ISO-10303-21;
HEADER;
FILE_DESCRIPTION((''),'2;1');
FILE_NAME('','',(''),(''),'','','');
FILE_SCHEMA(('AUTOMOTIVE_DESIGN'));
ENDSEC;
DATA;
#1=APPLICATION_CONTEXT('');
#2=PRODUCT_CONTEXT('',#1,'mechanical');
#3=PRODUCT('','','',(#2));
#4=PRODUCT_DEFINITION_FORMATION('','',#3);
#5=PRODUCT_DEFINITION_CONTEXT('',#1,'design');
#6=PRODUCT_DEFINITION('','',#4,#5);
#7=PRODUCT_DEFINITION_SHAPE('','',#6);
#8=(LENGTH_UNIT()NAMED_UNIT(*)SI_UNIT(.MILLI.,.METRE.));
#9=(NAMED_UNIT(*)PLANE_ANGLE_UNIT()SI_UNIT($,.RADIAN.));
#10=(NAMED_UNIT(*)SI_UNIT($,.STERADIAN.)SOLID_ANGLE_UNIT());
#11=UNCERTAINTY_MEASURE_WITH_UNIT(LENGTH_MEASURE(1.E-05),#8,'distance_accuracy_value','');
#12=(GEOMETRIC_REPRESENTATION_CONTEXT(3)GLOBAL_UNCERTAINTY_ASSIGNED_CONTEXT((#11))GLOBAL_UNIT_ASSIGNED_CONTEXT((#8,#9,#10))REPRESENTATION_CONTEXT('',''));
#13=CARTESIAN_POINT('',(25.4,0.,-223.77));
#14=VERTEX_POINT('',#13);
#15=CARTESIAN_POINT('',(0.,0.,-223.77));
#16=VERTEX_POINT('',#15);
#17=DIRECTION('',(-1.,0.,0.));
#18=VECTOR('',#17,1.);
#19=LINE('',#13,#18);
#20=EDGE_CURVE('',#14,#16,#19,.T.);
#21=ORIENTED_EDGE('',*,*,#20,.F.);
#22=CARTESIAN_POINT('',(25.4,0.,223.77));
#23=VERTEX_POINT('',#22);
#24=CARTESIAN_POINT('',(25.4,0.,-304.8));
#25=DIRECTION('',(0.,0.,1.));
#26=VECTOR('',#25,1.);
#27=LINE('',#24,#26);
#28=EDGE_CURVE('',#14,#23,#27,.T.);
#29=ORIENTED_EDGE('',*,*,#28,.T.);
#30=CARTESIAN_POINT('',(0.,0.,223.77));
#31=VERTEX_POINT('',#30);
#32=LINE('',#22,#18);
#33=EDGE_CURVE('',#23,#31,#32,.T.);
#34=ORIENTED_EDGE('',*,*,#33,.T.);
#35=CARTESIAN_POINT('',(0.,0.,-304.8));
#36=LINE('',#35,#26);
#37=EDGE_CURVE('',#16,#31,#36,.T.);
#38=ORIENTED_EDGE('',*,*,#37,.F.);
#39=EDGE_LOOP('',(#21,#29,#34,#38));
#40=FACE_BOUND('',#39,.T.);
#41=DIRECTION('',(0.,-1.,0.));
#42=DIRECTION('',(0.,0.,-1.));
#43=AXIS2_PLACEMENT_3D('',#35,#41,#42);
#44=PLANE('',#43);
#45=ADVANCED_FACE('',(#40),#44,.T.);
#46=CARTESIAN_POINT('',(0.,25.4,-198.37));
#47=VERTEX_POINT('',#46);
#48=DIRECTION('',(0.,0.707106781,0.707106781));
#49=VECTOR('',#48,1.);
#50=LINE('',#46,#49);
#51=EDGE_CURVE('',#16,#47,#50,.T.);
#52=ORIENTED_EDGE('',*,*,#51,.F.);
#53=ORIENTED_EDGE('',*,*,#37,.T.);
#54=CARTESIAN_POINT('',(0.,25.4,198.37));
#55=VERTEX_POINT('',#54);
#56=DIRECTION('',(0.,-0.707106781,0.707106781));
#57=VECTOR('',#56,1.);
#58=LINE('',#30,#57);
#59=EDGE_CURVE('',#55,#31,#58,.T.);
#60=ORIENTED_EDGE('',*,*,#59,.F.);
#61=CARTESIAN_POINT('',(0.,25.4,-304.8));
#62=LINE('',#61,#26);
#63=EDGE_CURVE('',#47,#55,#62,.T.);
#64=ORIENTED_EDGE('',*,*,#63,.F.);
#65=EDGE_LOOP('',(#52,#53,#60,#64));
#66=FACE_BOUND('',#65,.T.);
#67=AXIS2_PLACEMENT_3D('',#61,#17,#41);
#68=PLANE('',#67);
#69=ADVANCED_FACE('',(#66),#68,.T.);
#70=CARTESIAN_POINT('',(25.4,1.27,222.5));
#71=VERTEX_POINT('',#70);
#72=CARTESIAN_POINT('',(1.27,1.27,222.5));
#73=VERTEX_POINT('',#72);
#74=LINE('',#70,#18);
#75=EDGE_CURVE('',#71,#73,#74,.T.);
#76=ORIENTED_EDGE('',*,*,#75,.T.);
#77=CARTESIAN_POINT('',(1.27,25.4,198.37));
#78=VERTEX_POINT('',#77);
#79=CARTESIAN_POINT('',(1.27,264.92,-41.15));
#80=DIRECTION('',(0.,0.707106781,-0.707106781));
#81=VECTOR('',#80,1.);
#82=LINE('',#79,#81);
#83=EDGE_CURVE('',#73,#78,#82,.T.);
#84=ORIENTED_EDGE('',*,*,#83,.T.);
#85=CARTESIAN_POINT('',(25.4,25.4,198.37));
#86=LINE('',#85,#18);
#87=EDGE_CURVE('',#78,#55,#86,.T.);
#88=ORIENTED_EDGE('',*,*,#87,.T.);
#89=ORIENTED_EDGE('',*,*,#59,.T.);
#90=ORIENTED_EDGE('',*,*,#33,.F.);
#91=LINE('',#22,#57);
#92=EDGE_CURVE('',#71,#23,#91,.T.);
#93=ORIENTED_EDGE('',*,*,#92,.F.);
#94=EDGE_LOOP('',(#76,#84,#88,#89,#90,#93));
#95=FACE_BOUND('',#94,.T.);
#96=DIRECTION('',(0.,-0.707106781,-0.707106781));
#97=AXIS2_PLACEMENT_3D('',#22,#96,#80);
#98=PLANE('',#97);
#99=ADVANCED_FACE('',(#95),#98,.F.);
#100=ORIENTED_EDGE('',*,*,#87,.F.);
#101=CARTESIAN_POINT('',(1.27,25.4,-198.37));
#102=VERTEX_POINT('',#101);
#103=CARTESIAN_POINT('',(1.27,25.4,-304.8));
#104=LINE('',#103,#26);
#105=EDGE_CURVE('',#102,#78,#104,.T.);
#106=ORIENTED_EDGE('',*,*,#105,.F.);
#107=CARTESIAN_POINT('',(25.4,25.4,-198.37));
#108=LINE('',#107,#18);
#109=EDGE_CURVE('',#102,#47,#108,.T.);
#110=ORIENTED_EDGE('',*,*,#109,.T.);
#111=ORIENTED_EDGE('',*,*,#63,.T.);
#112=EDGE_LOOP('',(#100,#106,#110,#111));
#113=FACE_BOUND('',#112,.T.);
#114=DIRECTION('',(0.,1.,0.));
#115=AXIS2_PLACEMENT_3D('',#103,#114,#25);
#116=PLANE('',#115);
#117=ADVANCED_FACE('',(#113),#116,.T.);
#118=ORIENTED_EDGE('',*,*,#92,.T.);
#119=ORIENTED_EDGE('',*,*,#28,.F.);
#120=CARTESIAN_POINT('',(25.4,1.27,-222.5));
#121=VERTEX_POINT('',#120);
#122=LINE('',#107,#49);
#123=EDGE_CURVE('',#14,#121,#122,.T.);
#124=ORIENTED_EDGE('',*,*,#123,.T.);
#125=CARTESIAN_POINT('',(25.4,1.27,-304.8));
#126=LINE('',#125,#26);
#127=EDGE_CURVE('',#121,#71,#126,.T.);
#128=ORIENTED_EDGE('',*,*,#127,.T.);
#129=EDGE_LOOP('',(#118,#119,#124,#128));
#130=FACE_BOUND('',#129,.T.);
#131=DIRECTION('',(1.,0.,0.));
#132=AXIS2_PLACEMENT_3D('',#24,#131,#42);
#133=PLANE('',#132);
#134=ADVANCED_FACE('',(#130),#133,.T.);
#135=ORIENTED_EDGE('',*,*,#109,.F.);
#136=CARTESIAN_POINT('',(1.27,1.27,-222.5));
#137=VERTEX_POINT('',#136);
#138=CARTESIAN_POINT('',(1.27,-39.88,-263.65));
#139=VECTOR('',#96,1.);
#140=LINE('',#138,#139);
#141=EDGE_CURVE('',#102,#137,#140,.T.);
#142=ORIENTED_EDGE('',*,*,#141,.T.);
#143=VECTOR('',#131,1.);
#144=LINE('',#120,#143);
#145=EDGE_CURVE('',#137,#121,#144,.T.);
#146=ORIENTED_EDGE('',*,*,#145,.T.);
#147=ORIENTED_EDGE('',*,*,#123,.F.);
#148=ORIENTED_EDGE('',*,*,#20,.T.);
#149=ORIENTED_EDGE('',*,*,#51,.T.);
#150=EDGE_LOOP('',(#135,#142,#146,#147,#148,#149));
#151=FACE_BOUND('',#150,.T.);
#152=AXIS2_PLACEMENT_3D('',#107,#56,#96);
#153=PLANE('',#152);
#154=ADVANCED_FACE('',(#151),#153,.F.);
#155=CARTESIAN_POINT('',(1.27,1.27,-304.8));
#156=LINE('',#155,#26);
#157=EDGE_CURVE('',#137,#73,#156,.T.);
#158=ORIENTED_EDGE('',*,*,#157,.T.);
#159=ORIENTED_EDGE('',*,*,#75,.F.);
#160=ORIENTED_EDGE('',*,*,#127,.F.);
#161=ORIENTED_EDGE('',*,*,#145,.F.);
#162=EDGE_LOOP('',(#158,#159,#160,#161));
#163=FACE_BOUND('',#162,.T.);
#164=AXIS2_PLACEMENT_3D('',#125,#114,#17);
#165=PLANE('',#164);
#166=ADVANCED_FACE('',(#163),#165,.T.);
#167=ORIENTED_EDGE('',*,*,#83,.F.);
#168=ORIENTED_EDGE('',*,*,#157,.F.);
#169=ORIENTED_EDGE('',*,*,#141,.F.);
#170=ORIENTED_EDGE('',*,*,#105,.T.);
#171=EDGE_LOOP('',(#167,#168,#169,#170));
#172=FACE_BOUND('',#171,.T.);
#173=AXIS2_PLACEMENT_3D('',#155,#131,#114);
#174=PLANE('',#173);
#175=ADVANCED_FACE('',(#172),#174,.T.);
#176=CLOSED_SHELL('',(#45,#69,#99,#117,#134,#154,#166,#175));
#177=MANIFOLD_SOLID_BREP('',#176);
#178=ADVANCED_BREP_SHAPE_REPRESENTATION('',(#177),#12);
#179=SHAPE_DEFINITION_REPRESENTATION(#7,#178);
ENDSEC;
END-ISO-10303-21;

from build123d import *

# Parameters (mm, degrees)
BOSS_EXTRUDE1_DEPTH      = 304.8
BOSS_EXTRUDE1_DEPTH_BACK = 304.8
CUT_EXTRUDE1_DEPTH       = 307.909367729


with BuildPart() as part:
    # Sketch1 → Boss-Extrude1 (new, two sides: drawn at the far end of the back side and taken through both)
    with BuildSketch(Plane.XY.offset(-BOSS_EXTRUDE1_DEPTH_BACK)):
        Polygon((0, 25.4), (0, 0), (25.4, 0), (25.4, 1.27), (1.27, 1.27), (1.27, 25.4), align=None)
    extrude(amount=BOSS_EXTRUDE1_DEPTH + BOSS_EXTRUDE1_DEPTH_BACK)

    # Sketch2 → Cut-Extrude1 (cut, through all)
    with BuildSketch(Plane.ZY):
        Polygon((223.77, 0), (198.37, 25.4), (304.8, 25.4), (304.8, 0), align=None)
        Polygon((-304.8, 0), (-304.8, 25.4), (-198.37, 25.4), (-223.77, 0), align=None)
    extrude(amount=-CUT_EXTRUDE1_DEPTH, mode=Mode.SUBTRACT)


solid = part.part
